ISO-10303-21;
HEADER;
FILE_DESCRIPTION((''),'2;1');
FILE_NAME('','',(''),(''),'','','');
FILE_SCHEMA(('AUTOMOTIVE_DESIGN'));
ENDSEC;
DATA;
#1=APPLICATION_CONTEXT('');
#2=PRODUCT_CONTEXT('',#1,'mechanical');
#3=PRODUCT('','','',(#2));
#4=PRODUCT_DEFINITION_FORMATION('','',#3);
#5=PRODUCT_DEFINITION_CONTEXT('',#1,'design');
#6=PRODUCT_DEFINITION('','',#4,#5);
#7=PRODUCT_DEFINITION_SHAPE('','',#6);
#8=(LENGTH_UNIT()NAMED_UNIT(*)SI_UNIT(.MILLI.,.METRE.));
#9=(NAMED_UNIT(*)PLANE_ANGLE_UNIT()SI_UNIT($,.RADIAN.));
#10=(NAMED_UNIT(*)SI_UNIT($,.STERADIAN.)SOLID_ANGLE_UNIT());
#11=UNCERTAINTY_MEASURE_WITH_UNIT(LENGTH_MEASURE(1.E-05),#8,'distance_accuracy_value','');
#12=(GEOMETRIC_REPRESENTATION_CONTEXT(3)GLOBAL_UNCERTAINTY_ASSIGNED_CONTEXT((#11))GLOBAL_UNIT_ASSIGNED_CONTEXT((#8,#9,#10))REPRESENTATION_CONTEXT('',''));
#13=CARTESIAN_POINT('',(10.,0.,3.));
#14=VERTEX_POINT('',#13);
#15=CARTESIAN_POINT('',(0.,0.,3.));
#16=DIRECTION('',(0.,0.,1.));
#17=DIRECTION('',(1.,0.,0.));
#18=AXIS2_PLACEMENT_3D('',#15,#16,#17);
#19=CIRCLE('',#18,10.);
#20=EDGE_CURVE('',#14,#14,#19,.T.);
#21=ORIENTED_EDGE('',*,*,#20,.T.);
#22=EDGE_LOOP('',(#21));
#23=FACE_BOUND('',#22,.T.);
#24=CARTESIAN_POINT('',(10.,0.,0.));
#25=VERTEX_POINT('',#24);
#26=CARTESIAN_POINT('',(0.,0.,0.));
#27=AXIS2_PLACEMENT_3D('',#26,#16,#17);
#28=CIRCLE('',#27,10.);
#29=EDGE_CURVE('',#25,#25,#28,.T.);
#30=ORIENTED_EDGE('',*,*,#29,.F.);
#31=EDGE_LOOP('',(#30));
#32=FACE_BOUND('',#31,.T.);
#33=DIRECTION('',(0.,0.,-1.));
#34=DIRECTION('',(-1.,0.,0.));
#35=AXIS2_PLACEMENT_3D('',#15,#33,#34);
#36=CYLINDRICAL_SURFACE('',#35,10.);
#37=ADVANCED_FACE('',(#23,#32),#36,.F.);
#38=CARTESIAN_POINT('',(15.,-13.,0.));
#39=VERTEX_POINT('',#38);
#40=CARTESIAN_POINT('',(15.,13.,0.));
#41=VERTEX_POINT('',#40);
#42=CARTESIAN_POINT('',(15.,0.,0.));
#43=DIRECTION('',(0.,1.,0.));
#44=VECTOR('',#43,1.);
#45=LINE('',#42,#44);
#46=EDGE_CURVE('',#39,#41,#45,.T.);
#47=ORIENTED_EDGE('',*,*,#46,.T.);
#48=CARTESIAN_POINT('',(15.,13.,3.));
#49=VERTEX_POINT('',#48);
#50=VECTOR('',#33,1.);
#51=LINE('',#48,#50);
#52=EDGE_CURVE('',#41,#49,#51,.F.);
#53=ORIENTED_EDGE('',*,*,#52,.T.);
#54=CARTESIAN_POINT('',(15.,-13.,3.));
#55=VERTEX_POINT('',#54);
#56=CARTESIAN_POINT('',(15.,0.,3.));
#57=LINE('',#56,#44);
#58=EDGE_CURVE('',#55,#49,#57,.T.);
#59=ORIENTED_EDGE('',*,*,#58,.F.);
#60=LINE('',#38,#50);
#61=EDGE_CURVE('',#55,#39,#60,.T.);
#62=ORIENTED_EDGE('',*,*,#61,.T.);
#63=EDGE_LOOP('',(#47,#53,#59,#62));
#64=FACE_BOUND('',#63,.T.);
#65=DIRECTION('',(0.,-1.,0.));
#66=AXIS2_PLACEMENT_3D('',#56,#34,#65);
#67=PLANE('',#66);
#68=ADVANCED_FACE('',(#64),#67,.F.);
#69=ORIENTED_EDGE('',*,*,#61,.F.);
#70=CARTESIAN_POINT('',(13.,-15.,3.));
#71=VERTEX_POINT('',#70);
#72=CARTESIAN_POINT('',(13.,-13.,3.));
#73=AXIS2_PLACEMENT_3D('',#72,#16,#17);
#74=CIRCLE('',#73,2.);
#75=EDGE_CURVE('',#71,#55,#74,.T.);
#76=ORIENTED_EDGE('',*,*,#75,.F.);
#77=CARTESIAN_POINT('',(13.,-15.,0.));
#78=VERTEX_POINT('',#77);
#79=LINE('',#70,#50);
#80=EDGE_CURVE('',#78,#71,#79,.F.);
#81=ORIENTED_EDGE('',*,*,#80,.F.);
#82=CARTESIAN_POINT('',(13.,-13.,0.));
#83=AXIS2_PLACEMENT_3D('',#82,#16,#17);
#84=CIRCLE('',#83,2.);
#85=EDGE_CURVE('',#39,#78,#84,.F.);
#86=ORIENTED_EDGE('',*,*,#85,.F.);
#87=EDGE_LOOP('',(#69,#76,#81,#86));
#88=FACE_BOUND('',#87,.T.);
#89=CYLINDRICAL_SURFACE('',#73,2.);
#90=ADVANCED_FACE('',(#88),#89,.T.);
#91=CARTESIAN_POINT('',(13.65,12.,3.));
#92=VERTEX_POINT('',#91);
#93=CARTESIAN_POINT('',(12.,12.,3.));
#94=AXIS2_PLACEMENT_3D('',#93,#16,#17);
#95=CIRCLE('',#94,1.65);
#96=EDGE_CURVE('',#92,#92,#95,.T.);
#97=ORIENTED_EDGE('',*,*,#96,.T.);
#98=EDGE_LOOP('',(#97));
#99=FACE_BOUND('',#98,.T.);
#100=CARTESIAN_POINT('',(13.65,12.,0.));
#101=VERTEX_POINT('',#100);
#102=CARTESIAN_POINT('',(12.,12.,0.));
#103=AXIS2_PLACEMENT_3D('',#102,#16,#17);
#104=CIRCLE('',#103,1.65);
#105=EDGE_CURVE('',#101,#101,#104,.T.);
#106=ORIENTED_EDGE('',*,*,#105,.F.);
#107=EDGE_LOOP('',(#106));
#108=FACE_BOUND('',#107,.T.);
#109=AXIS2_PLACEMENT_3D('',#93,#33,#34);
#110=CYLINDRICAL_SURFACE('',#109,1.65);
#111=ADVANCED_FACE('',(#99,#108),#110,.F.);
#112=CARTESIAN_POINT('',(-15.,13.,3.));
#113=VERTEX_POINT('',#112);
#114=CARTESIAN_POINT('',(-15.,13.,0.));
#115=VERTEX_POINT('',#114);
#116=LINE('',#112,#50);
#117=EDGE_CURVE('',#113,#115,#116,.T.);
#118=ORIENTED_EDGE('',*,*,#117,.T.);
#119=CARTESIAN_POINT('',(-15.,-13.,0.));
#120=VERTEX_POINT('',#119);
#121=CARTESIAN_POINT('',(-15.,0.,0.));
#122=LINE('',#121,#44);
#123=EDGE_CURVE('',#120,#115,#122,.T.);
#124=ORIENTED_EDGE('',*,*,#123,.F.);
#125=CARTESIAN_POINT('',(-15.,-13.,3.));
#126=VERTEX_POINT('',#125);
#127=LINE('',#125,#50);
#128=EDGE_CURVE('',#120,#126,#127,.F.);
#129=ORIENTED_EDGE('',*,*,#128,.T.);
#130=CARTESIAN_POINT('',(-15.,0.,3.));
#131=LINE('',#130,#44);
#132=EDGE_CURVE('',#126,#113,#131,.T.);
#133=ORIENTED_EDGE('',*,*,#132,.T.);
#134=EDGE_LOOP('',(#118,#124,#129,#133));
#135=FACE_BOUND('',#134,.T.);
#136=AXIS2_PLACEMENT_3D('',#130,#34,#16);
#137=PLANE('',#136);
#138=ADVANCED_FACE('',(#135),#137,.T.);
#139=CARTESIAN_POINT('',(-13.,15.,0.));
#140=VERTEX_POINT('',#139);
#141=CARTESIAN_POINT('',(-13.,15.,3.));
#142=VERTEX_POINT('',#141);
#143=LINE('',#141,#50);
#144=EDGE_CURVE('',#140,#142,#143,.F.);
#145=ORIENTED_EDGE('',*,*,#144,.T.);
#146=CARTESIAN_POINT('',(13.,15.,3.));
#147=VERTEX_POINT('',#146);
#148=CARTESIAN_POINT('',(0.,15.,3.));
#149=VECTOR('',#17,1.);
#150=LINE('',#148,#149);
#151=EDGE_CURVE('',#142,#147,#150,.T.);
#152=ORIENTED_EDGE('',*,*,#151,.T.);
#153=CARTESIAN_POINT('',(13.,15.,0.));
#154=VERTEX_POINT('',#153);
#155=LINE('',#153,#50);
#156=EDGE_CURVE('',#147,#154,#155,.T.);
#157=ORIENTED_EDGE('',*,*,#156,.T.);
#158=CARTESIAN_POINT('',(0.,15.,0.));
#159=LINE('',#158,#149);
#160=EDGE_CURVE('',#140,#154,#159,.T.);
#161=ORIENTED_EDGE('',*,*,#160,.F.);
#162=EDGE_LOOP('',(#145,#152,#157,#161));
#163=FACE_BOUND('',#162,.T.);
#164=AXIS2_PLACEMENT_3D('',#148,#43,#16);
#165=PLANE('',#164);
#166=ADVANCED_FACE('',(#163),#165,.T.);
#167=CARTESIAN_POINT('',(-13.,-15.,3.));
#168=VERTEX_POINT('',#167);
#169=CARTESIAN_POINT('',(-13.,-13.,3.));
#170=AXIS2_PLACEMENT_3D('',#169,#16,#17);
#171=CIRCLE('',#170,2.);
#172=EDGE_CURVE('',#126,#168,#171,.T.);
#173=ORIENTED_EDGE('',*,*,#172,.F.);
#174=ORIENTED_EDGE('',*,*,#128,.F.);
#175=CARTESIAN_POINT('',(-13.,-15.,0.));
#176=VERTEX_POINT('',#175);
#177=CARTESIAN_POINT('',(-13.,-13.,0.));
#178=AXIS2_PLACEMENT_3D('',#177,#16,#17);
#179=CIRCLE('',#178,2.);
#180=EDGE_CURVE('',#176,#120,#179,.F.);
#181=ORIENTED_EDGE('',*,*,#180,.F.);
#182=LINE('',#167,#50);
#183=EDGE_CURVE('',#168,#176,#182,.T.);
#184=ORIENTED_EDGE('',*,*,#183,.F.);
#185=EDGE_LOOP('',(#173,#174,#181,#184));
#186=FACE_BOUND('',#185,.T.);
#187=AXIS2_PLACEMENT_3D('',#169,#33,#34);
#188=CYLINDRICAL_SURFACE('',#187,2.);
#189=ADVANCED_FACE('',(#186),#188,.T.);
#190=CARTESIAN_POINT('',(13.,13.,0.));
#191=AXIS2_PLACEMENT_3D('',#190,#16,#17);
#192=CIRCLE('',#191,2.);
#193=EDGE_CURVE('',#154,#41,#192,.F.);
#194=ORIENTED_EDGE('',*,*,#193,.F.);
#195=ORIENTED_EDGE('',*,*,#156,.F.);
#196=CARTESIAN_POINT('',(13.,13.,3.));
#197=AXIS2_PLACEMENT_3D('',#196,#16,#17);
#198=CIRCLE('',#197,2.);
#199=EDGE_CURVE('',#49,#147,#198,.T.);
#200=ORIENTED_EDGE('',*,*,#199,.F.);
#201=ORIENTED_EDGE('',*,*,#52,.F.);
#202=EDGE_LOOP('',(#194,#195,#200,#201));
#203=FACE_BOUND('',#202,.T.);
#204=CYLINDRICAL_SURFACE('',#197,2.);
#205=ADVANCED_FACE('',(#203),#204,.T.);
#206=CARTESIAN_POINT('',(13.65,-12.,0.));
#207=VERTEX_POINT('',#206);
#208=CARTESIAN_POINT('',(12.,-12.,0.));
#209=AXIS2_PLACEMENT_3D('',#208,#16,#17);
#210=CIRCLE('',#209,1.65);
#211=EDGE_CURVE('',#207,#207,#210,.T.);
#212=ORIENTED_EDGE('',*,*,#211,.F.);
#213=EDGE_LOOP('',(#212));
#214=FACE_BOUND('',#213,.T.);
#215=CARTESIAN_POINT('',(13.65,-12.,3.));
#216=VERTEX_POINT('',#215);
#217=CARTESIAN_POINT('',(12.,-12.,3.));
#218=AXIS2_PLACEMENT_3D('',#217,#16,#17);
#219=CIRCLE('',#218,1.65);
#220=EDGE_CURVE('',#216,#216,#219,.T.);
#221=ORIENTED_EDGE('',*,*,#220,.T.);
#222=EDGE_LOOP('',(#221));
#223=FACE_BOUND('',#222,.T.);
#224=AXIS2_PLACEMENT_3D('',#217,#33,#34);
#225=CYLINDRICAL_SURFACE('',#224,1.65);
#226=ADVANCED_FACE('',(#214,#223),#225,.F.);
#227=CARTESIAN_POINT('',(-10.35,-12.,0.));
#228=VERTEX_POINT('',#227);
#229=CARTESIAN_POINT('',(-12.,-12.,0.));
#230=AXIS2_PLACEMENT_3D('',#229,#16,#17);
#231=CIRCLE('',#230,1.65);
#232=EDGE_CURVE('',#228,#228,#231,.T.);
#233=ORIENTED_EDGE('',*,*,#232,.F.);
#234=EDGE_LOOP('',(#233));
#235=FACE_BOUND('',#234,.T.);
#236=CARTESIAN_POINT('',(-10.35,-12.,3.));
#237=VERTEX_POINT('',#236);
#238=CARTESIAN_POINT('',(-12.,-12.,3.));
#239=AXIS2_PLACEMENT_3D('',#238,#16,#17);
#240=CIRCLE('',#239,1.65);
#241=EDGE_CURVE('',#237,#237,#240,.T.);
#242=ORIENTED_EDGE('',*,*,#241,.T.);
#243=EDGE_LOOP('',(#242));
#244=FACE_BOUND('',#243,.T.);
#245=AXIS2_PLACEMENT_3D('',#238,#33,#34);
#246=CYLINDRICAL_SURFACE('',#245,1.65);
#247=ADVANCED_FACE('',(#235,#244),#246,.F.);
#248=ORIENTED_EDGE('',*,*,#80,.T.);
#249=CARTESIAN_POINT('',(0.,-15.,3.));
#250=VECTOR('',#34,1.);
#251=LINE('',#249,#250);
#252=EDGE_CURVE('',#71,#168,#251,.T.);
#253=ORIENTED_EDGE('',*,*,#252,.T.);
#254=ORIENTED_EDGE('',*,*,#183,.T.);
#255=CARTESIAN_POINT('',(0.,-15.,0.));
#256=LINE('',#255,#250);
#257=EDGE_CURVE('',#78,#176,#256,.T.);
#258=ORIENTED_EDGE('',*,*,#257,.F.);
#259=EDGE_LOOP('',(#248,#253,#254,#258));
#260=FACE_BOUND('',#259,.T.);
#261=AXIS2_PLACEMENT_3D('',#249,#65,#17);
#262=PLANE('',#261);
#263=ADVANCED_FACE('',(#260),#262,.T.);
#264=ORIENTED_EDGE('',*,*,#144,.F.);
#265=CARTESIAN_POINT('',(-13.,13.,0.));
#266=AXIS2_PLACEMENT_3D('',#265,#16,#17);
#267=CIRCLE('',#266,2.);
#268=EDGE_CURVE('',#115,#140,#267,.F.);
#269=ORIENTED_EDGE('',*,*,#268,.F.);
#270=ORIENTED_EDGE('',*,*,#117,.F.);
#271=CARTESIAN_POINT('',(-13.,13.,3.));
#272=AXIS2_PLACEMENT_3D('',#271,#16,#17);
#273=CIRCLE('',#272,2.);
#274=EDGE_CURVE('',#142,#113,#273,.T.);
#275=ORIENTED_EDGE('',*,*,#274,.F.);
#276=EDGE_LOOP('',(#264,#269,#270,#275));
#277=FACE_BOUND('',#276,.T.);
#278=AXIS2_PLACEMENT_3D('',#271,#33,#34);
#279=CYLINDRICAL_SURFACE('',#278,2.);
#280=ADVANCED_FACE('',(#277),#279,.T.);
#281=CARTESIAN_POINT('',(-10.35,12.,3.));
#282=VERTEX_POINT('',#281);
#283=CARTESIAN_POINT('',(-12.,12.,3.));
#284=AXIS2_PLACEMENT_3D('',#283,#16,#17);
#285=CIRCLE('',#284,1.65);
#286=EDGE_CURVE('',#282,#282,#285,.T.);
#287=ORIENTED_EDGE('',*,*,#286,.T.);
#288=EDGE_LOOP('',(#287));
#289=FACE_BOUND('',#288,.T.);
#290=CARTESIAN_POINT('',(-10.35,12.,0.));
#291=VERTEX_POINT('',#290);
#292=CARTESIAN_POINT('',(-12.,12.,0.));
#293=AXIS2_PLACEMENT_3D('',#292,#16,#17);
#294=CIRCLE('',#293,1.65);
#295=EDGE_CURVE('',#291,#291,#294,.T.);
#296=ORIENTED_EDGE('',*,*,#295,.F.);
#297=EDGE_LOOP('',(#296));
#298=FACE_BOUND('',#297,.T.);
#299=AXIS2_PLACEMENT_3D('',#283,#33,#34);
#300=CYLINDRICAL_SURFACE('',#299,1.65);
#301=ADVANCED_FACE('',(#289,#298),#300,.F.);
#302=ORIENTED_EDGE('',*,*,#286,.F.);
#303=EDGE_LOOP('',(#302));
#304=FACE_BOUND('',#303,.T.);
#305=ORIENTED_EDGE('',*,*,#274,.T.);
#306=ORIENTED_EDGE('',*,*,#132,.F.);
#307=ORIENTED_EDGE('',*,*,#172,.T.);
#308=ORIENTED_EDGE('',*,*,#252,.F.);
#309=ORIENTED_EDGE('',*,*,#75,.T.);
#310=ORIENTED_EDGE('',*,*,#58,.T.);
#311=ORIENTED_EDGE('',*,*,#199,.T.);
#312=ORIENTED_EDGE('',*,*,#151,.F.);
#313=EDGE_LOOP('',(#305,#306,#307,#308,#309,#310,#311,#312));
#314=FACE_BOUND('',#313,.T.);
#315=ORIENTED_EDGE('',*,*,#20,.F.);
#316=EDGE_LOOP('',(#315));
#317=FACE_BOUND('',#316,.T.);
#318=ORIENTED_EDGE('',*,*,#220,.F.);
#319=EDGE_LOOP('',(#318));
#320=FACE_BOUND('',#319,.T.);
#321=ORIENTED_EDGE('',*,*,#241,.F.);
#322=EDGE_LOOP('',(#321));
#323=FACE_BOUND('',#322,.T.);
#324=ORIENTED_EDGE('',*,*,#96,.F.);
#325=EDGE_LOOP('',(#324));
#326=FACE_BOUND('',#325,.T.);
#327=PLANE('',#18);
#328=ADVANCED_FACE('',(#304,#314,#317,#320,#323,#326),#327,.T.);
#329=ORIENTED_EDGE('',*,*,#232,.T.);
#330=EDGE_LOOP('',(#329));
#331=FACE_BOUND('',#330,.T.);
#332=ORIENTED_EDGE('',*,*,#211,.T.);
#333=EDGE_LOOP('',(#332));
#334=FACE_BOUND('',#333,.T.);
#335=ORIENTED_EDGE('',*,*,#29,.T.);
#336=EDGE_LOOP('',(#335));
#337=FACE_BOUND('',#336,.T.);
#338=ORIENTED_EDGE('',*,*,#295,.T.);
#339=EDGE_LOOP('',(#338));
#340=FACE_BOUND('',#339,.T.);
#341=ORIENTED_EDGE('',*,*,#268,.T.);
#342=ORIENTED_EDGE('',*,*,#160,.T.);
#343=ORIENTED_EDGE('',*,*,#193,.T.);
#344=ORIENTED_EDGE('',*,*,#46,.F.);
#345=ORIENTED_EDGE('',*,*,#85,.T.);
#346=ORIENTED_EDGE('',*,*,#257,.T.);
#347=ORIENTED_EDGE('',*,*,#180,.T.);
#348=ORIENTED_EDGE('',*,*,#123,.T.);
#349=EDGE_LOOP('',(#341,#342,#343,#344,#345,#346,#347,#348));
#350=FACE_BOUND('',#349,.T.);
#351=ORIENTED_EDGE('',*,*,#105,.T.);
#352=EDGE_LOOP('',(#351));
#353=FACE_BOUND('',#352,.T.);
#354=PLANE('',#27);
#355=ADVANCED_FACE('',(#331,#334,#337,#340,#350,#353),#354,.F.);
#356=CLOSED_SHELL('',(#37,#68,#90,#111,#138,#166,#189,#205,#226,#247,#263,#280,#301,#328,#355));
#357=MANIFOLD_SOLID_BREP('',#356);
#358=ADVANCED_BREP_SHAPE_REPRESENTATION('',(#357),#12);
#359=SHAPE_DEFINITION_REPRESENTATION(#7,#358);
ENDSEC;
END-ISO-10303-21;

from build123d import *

# Parameters (mm, degrees)
SKETCH_1_W      = 30
SKETCH_1_H      = 30
SKETCH_1_R      = 10
SKETCH_1_R_2    = 1.65
EXTRUDE_1_DEPTH = 3
FILLET_1_R      = 2


with BuildPart() as part:
    # 草图1 → 凸台-拉伸1 (new body)
    with BuildSketch(Plane.XY):
        Rectangle(SKETCH_1_W, SKETCH_1_H)
        Circle(SKETCH_1_R, mode=Mode.SUBTRACT)
        with Locations((-12, 12)):
            Circle(SKETCH_1_R_2, mode=Mode.SUBTRACT)
        with Locations((-12, -12)):
            Circle(SKETCH_1_R_2, mode=Mode.SUBTRACT)
        with Locations((12, 12)):
            Circle(SKETCH_1_R_2, mode=Mode.SUBTRACT)
        with Locations((12, -12)):
            Circle(SKETCH_1_R_2, mode=Mode.SUBTRACT)
    extrude(amount=EXTRUDE_1_DEPTH)

    # 圆角1
    fillet_1_edges = [part.edges().sort_by_distance(p)[0] for p in [
        (-15, -15, 1.5),
        (-15, 15, 1.5),
        (15, 15, 1.5),
        (15, -15, 1.5),
    ]]
    fillet(fillet_1_edges, radius=FILLET_1_R)


solid = part.part
